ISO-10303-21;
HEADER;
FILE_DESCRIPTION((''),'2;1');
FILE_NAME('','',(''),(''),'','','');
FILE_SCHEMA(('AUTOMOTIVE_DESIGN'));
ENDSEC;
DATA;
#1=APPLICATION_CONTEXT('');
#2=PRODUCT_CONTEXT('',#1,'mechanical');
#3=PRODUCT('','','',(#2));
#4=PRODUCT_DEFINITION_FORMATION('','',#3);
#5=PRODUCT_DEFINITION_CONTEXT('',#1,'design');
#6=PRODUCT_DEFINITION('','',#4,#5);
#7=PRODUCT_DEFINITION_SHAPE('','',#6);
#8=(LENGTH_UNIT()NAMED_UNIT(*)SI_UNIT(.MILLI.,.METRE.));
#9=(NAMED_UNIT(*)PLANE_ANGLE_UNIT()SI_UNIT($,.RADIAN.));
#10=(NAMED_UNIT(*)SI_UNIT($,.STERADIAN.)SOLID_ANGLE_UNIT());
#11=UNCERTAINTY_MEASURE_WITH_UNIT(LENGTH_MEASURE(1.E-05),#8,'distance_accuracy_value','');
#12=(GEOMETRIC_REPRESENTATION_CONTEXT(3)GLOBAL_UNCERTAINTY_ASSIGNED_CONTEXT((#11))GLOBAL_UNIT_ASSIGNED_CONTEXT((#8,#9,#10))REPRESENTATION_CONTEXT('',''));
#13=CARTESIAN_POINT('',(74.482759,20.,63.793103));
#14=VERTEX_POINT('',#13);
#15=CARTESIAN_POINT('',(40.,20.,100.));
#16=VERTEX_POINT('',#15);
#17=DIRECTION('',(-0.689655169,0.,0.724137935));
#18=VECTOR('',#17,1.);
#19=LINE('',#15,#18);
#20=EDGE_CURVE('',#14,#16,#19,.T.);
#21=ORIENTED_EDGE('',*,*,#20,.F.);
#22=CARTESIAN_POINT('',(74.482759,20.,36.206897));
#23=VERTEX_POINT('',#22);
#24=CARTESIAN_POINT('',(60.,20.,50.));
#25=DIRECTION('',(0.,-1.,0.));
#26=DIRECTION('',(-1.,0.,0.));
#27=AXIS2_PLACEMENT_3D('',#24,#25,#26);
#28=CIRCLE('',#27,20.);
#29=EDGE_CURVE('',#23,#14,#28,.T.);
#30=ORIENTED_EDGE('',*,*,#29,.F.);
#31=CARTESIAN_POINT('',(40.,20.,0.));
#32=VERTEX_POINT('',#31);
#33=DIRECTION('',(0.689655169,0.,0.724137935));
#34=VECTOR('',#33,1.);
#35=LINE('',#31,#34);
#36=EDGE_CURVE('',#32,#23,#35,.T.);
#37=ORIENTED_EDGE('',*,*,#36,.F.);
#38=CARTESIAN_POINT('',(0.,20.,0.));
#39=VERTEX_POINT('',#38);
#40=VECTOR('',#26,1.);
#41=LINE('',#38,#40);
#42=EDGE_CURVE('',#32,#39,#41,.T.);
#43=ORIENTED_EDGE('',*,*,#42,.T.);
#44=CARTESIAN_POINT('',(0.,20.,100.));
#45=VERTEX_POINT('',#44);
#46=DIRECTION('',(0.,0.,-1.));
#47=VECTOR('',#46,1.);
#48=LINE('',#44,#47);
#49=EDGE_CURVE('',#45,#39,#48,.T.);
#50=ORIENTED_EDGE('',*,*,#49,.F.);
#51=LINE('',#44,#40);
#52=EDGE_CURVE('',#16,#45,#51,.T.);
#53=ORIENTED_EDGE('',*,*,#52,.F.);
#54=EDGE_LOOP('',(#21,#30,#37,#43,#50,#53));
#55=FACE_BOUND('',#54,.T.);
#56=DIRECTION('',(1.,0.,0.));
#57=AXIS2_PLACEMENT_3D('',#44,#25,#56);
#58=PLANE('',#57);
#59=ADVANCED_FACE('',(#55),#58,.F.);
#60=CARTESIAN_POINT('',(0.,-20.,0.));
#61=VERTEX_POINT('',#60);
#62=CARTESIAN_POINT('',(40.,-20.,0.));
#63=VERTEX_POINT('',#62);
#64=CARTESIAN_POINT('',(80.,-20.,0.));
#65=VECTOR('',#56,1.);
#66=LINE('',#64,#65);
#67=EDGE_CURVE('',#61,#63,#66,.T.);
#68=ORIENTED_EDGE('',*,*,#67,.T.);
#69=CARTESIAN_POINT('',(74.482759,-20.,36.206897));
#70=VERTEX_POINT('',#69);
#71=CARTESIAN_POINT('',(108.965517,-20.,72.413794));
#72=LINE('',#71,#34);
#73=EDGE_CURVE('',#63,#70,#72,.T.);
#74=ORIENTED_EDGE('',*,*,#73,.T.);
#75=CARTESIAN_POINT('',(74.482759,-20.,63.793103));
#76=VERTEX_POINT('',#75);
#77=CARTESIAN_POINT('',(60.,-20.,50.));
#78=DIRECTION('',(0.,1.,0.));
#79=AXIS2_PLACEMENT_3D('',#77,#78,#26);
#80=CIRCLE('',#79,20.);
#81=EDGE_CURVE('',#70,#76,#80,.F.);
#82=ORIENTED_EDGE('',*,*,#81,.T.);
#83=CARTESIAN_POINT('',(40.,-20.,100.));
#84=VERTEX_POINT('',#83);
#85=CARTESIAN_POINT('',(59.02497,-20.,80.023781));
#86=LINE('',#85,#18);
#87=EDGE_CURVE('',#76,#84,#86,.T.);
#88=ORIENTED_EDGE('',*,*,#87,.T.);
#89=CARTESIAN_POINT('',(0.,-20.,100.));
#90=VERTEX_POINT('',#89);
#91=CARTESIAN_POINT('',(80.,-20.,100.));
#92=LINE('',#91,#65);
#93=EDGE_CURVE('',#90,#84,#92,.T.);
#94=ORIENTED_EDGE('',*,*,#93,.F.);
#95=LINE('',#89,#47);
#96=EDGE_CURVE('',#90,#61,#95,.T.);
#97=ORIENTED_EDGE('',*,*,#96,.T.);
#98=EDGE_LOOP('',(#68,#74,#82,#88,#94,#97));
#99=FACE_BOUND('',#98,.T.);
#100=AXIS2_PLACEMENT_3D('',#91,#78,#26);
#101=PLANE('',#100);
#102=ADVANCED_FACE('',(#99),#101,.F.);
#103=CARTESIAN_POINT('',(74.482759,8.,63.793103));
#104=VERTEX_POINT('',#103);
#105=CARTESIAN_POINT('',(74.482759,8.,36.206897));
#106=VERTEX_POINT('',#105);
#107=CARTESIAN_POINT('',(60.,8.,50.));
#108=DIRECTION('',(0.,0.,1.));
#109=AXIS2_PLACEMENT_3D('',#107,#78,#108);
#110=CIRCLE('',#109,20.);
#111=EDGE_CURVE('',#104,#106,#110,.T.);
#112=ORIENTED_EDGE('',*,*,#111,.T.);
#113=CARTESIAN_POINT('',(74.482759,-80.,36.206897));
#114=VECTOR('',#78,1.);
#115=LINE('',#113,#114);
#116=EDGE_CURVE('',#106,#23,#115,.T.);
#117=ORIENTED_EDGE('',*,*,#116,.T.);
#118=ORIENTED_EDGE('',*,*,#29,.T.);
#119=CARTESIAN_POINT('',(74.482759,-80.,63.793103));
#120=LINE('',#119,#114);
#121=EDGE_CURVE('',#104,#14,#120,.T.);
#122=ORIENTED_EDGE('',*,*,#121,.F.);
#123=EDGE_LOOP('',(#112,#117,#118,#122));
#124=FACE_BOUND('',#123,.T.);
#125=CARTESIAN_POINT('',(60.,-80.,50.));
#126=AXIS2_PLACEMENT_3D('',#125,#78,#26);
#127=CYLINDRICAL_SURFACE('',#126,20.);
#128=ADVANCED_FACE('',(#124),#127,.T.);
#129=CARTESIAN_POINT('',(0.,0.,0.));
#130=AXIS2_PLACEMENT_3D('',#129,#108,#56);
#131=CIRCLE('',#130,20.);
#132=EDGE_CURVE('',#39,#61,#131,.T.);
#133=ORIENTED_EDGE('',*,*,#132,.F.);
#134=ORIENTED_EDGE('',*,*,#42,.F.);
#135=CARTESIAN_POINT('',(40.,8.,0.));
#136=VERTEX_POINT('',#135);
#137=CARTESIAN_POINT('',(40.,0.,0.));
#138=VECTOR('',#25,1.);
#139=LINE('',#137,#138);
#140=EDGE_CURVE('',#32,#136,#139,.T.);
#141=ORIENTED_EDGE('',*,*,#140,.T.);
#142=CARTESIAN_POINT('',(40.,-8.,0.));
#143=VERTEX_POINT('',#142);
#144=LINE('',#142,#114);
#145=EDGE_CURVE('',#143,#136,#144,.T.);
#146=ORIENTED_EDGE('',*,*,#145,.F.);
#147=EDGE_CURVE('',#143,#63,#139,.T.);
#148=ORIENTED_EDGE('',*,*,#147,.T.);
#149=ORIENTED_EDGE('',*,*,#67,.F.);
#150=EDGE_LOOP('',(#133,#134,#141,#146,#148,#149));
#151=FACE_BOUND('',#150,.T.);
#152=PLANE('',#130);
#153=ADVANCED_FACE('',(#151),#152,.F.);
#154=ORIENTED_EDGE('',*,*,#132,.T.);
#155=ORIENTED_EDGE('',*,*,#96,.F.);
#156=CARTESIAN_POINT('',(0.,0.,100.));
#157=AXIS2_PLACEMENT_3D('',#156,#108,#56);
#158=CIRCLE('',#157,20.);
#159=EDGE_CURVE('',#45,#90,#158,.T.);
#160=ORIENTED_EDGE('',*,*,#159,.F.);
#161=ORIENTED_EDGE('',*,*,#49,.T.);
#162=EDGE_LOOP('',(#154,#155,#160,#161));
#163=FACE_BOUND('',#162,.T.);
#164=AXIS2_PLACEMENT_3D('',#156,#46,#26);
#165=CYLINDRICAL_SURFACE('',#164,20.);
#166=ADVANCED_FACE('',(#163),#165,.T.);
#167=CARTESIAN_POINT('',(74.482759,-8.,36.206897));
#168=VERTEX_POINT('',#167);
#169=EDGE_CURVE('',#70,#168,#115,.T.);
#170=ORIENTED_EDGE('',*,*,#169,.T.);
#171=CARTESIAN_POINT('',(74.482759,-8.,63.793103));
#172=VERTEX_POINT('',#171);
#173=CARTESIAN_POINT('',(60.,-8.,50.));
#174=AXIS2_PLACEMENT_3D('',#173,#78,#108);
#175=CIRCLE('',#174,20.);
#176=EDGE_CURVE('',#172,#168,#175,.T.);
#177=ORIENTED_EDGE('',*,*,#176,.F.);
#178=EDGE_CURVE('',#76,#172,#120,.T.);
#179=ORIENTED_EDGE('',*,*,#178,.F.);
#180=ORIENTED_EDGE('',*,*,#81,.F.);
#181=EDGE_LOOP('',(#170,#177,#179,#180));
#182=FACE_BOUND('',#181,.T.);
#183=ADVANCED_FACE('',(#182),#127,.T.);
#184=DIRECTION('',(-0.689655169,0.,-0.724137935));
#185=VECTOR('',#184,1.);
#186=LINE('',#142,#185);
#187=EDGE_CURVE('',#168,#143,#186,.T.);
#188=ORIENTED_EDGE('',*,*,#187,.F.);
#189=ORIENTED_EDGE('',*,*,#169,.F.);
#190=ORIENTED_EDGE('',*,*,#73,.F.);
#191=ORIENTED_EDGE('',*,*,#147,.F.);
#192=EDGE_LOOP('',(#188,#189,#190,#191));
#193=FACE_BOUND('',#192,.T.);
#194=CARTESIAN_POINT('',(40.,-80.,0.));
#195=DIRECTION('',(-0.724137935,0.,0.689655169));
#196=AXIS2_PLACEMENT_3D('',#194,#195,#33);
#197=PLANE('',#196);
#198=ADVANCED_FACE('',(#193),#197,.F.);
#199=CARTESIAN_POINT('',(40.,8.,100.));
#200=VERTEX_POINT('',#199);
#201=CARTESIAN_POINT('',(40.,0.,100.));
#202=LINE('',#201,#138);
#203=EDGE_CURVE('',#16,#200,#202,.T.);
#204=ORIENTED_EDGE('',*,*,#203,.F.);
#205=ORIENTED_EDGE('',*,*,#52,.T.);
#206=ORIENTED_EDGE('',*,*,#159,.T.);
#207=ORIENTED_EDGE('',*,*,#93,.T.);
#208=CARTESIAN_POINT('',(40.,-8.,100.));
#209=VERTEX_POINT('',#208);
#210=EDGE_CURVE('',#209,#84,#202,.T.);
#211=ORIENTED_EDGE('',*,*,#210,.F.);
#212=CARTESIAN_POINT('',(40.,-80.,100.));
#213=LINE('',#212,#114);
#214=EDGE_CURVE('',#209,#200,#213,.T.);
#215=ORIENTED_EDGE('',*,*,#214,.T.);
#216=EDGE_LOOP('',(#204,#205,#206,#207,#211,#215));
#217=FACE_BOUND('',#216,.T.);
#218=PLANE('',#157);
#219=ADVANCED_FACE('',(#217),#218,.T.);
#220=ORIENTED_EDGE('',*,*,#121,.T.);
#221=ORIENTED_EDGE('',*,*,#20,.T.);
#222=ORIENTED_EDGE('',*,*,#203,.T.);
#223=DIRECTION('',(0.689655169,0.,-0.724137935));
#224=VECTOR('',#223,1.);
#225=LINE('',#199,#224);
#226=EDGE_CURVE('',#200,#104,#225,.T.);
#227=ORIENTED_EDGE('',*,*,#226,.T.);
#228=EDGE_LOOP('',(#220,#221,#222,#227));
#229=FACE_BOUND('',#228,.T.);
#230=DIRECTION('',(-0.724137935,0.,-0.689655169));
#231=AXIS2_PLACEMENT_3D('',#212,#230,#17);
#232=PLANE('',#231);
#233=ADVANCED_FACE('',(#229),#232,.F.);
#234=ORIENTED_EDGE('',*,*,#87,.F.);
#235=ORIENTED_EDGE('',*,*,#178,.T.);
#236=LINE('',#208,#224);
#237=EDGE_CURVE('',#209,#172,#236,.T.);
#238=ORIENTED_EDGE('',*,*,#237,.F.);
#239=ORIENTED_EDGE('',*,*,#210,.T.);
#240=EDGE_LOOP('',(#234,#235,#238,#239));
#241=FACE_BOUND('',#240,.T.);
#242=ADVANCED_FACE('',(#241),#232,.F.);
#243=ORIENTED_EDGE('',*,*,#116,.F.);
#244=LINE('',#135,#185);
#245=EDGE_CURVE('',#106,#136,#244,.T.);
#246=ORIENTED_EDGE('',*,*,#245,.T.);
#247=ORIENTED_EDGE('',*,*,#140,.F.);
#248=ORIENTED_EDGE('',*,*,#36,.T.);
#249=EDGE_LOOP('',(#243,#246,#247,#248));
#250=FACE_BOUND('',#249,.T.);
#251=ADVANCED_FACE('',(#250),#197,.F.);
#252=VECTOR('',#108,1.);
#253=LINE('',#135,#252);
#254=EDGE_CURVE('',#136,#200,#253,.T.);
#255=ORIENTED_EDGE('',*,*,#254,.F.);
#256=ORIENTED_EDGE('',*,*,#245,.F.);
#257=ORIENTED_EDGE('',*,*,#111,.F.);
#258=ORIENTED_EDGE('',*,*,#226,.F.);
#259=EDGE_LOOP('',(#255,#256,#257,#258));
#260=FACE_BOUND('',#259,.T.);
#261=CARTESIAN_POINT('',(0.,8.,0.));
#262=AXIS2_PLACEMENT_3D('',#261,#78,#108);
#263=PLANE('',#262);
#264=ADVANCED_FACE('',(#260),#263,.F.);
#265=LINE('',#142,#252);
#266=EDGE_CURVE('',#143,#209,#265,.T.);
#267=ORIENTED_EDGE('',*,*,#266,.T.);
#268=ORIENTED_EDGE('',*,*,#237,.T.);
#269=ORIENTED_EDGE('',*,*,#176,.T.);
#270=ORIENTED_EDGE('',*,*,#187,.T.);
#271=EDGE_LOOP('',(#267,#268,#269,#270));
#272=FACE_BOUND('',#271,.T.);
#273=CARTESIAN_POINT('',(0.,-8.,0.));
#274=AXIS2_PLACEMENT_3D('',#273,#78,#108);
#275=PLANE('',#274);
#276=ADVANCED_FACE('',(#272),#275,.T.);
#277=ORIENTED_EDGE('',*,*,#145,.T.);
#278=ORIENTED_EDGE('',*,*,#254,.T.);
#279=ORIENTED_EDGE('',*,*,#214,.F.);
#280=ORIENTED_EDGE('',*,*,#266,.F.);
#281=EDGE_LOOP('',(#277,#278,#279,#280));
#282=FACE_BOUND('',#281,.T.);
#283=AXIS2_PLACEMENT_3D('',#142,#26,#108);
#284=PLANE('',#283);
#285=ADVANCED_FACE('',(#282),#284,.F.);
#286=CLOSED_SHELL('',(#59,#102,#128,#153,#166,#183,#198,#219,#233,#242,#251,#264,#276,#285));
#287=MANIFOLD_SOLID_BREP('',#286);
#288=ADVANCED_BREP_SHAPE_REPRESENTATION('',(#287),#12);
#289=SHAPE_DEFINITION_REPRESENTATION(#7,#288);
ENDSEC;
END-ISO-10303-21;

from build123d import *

# Parameters (mm, degrees)
EXTRUDE_1_DEPTH     = 100
CUT_EXTRUDE_1_DEPTH = 100
SKETCH_5_W          = 43.975139672
SKETCH_5_H          = 100.104675822
CUT_EXTRUDE_3_DEPTH = 8


with BuildPart() as part:
    # 草图2 → 凸台-拉伸1 (new body)
    with BuildSketch(Plane.XY):
        with BuildLine():
            Line((0, 20), (80, 20))
            Line((80, 20), (80, -20))
            Line((80, -20), (0, -20))
            ThreePointArc((0, -20), (-20, 0), (0, 20))
        make_face()
    extrude(amount=EXTRUDE_1_DEPTH)

    # 草图3 → 切除-拉伸1 (cut)
    with BuildSketch(Plane(origin=(0, 20, 0), x_dir=(1, 0, 0), z_dir=(0, 1, 0))):
        with BuildLine():
            Line((40, 0), (74.482758502, -36.206896811))
            ThreePointArc((74.482758502, -36.206896811), (79.999999735, -50), (74.482758502, -63.793103189))
            Line((74.482758502, -63.793103189), (40, -100))
            Line((40, -100), (91.714369415, -100))
            Line((91.714369415, -100), (91.714369415, 0))
            Line((91.714369415, 0), (40, 0))
        make_face()
    extrude(amount=-CUT_EXTRUDE_1_DEPTH, mode=Mode.SUBTRACT)

    # 草图5 → 切除-拉伸3 (cut, symmetric)
    with BuildSketch(Plane(origin=(0, 0, 0), x_dir=(1, 0, 0), z_dir=(0, 1, 0))):
        with Locations((61.987569836, -50.052337911)):
            Rectangle(SKETCH_5_W, SKETCH_5_H)
    extrude(amount=CUT_EXTRUDE_3_DEPTH, both=True, mode=Mode.SUBTRACT)


solid = part.part
